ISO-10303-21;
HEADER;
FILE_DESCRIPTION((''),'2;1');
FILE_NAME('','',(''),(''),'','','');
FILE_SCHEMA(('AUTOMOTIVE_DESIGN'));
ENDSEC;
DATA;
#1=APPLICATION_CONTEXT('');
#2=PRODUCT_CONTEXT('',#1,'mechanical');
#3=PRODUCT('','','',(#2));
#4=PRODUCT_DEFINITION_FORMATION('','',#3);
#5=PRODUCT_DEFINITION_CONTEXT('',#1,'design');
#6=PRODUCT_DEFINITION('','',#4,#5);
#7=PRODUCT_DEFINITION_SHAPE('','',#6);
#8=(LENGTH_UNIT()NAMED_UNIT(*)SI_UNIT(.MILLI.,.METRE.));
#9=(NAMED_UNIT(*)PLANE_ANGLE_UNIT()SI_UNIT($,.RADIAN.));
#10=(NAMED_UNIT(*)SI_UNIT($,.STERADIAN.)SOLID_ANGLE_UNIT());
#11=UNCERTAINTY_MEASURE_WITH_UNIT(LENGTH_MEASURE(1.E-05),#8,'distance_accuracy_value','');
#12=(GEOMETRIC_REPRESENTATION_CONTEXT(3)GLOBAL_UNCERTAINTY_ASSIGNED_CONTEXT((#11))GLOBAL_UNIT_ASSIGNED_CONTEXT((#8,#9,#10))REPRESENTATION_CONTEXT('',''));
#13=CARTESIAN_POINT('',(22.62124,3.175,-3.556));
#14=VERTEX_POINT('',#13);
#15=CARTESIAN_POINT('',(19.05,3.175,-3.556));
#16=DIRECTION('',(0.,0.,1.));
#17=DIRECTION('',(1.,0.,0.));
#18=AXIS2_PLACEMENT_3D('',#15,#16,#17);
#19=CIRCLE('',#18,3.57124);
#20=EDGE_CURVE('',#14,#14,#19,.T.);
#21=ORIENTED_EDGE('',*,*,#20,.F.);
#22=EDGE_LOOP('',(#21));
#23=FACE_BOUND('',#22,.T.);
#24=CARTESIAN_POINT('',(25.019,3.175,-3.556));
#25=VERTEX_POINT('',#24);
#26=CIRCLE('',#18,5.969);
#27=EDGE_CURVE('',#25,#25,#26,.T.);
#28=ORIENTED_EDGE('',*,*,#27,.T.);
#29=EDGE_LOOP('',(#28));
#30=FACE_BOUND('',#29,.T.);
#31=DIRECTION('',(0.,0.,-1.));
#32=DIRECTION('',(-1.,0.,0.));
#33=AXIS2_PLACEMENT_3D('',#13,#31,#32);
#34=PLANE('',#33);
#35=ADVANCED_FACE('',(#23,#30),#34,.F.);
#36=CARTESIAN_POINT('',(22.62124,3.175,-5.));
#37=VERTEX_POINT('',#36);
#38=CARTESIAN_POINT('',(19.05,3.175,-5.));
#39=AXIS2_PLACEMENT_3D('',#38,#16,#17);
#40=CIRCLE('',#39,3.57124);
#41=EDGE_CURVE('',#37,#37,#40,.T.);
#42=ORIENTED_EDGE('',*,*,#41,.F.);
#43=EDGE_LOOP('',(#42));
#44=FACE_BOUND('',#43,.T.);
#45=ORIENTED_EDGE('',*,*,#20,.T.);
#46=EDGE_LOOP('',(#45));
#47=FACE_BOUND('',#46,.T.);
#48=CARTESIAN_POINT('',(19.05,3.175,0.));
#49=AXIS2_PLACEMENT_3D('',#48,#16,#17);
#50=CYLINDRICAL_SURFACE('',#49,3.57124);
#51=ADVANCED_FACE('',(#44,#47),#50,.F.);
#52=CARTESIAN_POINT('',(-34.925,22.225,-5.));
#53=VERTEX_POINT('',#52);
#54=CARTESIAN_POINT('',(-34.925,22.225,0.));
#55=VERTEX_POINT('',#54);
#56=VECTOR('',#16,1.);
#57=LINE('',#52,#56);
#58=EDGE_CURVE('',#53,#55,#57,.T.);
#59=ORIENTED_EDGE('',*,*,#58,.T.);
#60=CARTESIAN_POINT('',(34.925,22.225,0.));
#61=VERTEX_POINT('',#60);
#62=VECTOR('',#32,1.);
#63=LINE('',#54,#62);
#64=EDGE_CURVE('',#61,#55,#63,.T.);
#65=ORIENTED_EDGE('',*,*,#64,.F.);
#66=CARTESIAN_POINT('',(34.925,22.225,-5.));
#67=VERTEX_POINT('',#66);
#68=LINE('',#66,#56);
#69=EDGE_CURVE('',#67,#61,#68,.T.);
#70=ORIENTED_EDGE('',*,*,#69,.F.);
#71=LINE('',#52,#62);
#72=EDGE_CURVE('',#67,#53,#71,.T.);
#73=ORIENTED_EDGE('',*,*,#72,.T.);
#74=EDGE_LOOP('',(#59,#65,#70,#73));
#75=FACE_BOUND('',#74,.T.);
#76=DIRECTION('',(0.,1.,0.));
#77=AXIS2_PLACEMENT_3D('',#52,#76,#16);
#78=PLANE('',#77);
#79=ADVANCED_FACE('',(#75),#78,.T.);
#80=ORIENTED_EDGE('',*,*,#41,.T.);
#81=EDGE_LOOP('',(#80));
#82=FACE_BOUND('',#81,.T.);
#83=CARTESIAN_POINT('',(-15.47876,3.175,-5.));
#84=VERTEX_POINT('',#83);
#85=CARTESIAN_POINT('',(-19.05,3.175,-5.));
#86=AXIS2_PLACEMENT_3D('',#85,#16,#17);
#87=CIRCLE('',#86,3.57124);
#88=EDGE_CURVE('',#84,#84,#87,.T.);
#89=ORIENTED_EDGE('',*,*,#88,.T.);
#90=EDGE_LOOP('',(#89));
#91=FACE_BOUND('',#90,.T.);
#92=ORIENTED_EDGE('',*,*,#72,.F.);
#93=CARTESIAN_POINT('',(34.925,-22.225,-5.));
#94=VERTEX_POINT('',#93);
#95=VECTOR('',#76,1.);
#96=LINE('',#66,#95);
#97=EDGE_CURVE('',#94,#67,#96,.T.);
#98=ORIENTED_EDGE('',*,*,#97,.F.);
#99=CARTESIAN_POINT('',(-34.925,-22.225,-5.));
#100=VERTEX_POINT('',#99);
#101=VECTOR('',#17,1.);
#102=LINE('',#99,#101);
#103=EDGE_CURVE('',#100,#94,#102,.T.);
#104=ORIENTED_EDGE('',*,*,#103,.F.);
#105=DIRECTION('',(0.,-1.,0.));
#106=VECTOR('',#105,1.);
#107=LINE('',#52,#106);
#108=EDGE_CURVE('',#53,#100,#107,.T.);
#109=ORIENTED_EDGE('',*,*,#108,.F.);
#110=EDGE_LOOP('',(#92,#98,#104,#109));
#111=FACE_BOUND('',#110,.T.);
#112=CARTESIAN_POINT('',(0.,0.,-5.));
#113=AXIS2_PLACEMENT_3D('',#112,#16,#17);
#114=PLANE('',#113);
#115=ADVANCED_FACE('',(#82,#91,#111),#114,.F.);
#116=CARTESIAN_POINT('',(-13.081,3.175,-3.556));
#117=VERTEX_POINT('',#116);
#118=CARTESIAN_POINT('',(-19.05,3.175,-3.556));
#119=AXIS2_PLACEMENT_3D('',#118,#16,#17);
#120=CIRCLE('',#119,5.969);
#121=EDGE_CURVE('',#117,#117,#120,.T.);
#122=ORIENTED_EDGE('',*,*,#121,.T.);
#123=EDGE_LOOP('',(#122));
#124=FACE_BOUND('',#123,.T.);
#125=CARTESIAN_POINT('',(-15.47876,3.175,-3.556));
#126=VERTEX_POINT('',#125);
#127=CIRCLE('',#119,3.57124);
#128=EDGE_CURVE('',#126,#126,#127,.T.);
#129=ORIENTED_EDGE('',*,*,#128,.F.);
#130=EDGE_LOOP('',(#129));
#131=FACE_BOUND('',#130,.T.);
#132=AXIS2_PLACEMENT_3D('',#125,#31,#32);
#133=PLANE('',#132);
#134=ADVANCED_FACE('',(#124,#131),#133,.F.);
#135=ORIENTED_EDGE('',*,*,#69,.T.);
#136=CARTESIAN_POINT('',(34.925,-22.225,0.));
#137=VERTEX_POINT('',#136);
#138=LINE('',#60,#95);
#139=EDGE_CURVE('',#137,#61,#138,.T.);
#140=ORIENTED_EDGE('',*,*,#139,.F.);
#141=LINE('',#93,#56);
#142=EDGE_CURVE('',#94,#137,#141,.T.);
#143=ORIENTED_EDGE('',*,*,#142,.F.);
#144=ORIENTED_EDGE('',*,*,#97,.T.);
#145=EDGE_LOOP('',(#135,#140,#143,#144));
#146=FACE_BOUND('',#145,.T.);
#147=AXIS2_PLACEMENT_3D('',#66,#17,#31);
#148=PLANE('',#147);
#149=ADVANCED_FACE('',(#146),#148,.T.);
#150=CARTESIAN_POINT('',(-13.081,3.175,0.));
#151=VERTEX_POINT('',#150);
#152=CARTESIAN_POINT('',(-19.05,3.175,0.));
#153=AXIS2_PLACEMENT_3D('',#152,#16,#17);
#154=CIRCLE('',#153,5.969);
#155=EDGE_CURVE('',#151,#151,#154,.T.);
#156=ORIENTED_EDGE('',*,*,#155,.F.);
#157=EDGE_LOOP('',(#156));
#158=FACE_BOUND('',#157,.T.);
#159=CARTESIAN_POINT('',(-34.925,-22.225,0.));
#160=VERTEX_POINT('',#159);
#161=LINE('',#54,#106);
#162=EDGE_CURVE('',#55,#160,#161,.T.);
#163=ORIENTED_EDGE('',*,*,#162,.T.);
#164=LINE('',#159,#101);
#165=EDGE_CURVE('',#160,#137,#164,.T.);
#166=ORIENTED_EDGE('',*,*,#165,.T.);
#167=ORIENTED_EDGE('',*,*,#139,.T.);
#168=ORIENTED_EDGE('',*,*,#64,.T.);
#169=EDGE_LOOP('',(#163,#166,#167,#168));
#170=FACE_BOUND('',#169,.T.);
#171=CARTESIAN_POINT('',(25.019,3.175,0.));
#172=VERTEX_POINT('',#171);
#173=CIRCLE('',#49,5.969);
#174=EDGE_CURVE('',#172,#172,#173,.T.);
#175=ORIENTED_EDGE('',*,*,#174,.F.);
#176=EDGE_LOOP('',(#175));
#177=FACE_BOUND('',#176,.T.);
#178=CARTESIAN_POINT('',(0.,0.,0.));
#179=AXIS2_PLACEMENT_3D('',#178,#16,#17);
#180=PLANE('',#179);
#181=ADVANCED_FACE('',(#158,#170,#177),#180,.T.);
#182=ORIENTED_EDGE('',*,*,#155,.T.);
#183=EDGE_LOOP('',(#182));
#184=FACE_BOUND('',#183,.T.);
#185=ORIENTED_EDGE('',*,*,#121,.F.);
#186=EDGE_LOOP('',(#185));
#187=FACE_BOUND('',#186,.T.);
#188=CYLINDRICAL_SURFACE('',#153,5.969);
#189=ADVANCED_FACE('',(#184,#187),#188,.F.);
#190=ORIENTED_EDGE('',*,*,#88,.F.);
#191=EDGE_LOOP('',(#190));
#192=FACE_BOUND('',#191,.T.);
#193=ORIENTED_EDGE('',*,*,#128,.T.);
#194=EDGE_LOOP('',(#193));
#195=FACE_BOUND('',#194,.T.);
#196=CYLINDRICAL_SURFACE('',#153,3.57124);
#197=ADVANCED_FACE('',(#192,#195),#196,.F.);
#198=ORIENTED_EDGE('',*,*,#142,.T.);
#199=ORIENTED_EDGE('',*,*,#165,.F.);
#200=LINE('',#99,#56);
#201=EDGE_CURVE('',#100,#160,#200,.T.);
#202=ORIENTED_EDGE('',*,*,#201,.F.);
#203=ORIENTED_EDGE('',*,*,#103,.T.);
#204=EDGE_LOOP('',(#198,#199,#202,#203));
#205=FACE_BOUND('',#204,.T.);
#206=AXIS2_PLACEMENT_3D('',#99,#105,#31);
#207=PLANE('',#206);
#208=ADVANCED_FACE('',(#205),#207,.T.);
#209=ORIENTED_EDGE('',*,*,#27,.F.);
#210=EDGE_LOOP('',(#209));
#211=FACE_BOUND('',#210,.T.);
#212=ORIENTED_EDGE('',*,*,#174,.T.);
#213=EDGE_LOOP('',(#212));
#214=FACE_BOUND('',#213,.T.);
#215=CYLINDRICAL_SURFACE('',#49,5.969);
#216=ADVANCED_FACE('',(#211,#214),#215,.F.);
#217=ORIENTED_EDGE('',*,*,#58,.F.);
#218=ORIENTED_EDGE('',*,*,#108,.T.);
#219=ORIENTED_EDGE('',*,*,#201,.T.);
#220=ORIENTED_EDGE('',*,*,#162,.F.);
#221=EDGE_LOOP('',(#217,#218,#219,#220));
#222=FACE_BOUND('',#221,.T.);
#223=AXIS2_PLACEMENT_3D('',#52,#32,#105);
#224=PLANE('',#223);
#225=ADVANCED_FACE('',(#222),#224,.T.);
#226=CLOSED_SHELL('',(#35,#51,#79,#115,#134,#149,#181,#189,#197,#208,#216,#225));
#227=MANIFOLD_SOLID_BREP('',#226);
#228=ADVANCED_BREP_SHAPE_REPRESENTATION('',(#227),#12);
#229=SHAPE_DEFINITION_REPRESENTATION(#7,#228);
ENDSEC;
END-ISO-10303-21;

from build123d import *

# Parameters (mm, degrees)
CROQUIS1_W                                           = 69.85
CROQUIS1_H                                           = 44.45
SALIENTE_EXTRUIR1_DEPTH                              = 5
REFRENTADO_PARA_TORNILLO_CON_CABEZA_HUEC_D           = 7.14248
REFRENTADO_PARA_TORNILLO_CON_CABEZA_HUEC_DEPTH       = 24
REFRENTADO_PARA_TORNILLO_CON_CABEZA_HUEC_CBORE_D     = 11.938
REFRENTADO_PARA_TORNILLO_CON_CABEZA_HUEC_CBORE_DEPTH = 3.556
REFRENTADO_PARA_TORNILLO_CON_CABEZA_HUEC_TIP         = 2.145817477


with BuildPart() as part:
    # Croquis1 → Saliente-Extruir1 (new body)
    with BuildSketch(Plane.XY):
        Rectangle(CROQUIS1_W, CROQUIS1_H)
    extrude(amount=-SALIENTE_EXTRUIR1_DEPTH)

    # Refrentado para tornillo con cabeza hueca de 1/42
    with Locations(Plane.XY):
        with Locations((-19.05, 3.175), (19.05, 3.175)):
            CounterBoreHole(REFRENTADO_PARA_TORNILLO_CON_CABEZA_HUEC_D / 2, REFRENTADO_PARA_TORNILLO_CON_CABEZA_HUEC_CBORE_D / 2, REFRENTADO_PARA_TORNILLO_CON_CABEZA_HUEC_CBORE_DEPTH, depth=REFRENTADO_PARA_TORNILLO_CON_CABEZA_HUEC_DEPTH)
            with Locations((0, 0, -(REFRENTADO_PARA_TORNILLO_CON_CABEZA_HUEC_DEPTH + REFRENTADO_PARA_TORNILLO_CON_CABEZA_HUEC_TIP / 2))):  # 118° drill point
                Cone(0, REFRENTADO_PARA_TORNILLO_CON_CABEZA_HUEC_D / 2, REFRENTADO_PARA_TORNILLO_CON_CABEZA_HUEC_TIP, mode=Mode.SUBTRACT)


solid = part.part
